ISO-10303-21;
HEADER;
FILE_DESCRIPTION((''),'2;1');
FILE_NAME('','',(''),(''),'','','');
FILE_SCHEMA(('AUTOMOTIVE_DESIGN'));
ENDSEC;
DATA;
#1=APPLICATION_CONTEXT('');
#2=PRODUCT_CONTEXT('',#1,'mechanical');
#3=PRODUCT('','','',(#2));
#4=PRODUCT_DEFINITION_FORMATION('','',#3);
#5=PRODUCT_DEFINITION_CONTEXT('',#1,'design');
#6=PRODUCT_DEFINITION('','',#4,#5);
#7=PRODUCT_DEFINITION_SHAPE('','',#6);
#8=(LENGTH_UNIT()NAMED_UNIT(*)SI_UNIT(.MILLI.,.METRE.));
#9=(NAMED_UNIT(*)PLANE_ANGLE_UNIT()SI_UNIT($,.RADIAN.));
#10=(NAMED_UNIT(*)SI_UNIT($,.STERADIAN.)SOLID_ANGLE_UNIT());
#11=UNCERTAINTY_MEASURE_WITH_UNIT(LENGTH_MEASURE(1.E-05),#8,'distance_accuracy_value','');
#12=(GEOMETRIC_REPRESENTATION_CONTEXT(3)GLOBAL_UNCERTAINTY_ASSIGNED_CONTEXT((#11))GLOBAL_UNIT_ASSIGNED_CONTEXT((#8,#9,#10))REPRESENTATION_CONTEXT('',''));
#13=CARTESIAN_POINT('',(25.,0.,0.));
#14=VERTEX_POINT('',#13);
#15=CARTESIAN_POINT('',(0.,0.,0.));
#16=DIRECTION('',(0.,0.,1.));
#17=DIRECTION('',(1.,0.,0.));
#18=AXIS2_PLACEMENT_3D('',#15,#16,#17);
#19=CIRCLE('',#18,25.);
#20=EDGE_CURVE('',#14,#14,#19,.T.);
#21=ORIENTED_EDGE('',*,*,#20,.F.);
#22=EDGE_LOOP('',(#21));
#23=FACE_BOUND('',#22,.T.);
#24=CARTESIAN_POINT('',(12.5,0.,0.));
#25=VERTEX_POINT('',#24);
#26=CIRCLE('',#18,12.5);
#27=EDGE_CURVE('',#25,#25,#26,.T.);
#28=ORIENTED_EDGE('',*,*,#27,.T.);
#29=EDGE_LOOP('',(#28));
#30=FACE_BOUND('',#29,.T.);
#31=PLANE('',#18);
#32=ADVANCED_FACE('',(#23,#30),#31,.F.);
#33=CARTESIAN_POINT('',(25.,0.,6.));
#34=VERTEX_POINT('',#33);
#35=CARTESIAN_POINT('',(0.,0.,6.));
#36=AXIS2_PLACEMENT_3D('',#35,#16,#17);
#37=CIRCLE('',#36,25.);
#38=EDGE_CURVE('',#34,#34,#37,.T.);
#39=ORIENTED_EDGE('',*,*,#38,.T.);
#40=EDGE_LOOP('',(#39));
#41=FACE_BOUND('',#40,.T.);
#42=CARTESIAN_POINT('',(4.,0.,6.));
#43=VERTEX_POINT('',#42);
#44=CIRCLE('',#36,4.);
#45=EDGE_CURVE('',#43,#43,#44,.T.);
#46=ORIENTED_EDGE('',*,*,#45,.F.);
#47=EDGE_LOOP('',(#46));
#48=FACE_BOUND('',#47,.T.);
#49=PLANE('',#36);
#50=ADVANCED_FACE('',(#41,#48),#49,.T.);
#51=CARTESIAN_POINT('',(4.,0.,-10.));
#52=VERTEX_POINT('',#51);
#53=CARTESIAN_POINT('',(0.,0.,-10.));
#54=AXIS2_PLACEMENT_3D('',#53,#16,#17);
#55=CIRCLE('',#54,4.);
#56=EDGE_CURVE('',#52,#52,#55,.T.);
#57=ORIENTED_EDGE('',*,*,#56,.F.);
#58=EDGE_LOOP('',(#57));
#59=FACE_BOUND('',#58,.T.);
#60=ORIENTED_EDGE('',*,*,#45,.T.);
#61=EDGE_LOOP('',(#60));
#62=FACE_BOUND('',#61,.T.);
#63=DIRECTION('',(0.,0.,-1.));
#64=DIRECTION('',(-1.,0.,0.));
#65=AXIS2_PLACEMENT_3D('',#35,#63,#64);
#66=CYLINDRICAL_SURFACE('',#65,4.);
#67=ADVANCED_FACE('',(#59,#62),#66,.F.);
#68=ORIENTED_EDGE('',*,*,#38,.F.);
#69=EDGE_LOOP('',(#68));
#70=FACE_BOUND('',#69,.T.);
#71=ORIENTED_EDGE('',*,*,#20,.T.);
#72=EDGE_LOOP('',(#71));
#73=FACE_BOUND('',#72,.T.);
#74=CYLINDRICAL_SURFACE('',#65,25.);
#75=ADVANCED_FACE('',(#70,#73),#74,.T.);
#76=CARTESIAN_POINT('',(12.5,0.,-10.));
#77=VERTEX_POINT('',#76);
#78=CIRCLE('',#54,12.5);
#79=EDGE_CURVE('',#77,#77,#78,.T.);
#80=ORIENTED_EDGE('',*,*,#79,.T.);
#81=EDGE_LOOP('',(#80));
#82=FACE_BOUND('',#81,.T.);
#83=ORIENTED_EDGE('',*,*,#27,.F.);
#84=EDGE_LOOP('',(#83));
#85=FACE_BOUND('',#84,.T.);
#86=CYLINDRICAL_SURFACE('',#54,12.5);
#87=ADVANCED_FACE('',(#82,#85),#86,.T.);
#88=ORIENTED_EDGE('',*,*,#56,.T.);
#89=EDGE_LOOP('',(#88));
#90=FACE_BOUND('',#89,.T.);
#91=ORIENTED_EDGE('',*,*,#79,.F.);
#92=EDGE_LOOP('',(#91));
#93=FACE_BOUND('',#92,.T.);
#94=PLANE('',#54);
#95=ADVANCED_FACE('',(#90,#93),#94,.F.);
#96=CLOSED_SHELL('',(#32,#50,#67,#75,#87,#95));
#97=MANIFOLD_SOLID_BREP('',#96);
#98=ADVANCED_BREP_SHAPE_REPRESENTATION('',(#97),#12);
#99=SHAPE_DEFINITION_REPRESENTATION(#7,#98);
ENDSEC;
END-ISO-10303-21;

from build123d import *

# Parameters (mm, degrees)
SKETCH_1_R      = 25
SKETCH_1_R_2    = 4
EXTRUDE_1_DEPTH = 6
EXTRUDE_START   = -10
SKETCH_1_3_R    = 12.5
SKETCH_1_3_R_2  = 4
EXTRUDE_2_DEPTH = 10


with BuildPart() as part:
    # Эскиз1 → Бобышка-Вытянуть1 (new body)
    with BuildSketch(Plane.XY):
        Circle(SKETCH_1_R)
        Circle(SKETCH_1_R_2, mode=Mode.SUBTRACT)
    extrude(amount=EXTRUDE_1_DEPTH)

    # Эскиз1<3> → Бобышка-Вытянуть2 (add)
    with BuildSketch(Plane.XY.offset(EXTRUDE_START)):
        Circle(SKETCH_1_3_R)
        Circle(SKETCH_1_3_R_2, mode=Mode.SUBTRACT)
    extrude(amount=EXTRUDE_2_DEPTH)


solid = part.part
